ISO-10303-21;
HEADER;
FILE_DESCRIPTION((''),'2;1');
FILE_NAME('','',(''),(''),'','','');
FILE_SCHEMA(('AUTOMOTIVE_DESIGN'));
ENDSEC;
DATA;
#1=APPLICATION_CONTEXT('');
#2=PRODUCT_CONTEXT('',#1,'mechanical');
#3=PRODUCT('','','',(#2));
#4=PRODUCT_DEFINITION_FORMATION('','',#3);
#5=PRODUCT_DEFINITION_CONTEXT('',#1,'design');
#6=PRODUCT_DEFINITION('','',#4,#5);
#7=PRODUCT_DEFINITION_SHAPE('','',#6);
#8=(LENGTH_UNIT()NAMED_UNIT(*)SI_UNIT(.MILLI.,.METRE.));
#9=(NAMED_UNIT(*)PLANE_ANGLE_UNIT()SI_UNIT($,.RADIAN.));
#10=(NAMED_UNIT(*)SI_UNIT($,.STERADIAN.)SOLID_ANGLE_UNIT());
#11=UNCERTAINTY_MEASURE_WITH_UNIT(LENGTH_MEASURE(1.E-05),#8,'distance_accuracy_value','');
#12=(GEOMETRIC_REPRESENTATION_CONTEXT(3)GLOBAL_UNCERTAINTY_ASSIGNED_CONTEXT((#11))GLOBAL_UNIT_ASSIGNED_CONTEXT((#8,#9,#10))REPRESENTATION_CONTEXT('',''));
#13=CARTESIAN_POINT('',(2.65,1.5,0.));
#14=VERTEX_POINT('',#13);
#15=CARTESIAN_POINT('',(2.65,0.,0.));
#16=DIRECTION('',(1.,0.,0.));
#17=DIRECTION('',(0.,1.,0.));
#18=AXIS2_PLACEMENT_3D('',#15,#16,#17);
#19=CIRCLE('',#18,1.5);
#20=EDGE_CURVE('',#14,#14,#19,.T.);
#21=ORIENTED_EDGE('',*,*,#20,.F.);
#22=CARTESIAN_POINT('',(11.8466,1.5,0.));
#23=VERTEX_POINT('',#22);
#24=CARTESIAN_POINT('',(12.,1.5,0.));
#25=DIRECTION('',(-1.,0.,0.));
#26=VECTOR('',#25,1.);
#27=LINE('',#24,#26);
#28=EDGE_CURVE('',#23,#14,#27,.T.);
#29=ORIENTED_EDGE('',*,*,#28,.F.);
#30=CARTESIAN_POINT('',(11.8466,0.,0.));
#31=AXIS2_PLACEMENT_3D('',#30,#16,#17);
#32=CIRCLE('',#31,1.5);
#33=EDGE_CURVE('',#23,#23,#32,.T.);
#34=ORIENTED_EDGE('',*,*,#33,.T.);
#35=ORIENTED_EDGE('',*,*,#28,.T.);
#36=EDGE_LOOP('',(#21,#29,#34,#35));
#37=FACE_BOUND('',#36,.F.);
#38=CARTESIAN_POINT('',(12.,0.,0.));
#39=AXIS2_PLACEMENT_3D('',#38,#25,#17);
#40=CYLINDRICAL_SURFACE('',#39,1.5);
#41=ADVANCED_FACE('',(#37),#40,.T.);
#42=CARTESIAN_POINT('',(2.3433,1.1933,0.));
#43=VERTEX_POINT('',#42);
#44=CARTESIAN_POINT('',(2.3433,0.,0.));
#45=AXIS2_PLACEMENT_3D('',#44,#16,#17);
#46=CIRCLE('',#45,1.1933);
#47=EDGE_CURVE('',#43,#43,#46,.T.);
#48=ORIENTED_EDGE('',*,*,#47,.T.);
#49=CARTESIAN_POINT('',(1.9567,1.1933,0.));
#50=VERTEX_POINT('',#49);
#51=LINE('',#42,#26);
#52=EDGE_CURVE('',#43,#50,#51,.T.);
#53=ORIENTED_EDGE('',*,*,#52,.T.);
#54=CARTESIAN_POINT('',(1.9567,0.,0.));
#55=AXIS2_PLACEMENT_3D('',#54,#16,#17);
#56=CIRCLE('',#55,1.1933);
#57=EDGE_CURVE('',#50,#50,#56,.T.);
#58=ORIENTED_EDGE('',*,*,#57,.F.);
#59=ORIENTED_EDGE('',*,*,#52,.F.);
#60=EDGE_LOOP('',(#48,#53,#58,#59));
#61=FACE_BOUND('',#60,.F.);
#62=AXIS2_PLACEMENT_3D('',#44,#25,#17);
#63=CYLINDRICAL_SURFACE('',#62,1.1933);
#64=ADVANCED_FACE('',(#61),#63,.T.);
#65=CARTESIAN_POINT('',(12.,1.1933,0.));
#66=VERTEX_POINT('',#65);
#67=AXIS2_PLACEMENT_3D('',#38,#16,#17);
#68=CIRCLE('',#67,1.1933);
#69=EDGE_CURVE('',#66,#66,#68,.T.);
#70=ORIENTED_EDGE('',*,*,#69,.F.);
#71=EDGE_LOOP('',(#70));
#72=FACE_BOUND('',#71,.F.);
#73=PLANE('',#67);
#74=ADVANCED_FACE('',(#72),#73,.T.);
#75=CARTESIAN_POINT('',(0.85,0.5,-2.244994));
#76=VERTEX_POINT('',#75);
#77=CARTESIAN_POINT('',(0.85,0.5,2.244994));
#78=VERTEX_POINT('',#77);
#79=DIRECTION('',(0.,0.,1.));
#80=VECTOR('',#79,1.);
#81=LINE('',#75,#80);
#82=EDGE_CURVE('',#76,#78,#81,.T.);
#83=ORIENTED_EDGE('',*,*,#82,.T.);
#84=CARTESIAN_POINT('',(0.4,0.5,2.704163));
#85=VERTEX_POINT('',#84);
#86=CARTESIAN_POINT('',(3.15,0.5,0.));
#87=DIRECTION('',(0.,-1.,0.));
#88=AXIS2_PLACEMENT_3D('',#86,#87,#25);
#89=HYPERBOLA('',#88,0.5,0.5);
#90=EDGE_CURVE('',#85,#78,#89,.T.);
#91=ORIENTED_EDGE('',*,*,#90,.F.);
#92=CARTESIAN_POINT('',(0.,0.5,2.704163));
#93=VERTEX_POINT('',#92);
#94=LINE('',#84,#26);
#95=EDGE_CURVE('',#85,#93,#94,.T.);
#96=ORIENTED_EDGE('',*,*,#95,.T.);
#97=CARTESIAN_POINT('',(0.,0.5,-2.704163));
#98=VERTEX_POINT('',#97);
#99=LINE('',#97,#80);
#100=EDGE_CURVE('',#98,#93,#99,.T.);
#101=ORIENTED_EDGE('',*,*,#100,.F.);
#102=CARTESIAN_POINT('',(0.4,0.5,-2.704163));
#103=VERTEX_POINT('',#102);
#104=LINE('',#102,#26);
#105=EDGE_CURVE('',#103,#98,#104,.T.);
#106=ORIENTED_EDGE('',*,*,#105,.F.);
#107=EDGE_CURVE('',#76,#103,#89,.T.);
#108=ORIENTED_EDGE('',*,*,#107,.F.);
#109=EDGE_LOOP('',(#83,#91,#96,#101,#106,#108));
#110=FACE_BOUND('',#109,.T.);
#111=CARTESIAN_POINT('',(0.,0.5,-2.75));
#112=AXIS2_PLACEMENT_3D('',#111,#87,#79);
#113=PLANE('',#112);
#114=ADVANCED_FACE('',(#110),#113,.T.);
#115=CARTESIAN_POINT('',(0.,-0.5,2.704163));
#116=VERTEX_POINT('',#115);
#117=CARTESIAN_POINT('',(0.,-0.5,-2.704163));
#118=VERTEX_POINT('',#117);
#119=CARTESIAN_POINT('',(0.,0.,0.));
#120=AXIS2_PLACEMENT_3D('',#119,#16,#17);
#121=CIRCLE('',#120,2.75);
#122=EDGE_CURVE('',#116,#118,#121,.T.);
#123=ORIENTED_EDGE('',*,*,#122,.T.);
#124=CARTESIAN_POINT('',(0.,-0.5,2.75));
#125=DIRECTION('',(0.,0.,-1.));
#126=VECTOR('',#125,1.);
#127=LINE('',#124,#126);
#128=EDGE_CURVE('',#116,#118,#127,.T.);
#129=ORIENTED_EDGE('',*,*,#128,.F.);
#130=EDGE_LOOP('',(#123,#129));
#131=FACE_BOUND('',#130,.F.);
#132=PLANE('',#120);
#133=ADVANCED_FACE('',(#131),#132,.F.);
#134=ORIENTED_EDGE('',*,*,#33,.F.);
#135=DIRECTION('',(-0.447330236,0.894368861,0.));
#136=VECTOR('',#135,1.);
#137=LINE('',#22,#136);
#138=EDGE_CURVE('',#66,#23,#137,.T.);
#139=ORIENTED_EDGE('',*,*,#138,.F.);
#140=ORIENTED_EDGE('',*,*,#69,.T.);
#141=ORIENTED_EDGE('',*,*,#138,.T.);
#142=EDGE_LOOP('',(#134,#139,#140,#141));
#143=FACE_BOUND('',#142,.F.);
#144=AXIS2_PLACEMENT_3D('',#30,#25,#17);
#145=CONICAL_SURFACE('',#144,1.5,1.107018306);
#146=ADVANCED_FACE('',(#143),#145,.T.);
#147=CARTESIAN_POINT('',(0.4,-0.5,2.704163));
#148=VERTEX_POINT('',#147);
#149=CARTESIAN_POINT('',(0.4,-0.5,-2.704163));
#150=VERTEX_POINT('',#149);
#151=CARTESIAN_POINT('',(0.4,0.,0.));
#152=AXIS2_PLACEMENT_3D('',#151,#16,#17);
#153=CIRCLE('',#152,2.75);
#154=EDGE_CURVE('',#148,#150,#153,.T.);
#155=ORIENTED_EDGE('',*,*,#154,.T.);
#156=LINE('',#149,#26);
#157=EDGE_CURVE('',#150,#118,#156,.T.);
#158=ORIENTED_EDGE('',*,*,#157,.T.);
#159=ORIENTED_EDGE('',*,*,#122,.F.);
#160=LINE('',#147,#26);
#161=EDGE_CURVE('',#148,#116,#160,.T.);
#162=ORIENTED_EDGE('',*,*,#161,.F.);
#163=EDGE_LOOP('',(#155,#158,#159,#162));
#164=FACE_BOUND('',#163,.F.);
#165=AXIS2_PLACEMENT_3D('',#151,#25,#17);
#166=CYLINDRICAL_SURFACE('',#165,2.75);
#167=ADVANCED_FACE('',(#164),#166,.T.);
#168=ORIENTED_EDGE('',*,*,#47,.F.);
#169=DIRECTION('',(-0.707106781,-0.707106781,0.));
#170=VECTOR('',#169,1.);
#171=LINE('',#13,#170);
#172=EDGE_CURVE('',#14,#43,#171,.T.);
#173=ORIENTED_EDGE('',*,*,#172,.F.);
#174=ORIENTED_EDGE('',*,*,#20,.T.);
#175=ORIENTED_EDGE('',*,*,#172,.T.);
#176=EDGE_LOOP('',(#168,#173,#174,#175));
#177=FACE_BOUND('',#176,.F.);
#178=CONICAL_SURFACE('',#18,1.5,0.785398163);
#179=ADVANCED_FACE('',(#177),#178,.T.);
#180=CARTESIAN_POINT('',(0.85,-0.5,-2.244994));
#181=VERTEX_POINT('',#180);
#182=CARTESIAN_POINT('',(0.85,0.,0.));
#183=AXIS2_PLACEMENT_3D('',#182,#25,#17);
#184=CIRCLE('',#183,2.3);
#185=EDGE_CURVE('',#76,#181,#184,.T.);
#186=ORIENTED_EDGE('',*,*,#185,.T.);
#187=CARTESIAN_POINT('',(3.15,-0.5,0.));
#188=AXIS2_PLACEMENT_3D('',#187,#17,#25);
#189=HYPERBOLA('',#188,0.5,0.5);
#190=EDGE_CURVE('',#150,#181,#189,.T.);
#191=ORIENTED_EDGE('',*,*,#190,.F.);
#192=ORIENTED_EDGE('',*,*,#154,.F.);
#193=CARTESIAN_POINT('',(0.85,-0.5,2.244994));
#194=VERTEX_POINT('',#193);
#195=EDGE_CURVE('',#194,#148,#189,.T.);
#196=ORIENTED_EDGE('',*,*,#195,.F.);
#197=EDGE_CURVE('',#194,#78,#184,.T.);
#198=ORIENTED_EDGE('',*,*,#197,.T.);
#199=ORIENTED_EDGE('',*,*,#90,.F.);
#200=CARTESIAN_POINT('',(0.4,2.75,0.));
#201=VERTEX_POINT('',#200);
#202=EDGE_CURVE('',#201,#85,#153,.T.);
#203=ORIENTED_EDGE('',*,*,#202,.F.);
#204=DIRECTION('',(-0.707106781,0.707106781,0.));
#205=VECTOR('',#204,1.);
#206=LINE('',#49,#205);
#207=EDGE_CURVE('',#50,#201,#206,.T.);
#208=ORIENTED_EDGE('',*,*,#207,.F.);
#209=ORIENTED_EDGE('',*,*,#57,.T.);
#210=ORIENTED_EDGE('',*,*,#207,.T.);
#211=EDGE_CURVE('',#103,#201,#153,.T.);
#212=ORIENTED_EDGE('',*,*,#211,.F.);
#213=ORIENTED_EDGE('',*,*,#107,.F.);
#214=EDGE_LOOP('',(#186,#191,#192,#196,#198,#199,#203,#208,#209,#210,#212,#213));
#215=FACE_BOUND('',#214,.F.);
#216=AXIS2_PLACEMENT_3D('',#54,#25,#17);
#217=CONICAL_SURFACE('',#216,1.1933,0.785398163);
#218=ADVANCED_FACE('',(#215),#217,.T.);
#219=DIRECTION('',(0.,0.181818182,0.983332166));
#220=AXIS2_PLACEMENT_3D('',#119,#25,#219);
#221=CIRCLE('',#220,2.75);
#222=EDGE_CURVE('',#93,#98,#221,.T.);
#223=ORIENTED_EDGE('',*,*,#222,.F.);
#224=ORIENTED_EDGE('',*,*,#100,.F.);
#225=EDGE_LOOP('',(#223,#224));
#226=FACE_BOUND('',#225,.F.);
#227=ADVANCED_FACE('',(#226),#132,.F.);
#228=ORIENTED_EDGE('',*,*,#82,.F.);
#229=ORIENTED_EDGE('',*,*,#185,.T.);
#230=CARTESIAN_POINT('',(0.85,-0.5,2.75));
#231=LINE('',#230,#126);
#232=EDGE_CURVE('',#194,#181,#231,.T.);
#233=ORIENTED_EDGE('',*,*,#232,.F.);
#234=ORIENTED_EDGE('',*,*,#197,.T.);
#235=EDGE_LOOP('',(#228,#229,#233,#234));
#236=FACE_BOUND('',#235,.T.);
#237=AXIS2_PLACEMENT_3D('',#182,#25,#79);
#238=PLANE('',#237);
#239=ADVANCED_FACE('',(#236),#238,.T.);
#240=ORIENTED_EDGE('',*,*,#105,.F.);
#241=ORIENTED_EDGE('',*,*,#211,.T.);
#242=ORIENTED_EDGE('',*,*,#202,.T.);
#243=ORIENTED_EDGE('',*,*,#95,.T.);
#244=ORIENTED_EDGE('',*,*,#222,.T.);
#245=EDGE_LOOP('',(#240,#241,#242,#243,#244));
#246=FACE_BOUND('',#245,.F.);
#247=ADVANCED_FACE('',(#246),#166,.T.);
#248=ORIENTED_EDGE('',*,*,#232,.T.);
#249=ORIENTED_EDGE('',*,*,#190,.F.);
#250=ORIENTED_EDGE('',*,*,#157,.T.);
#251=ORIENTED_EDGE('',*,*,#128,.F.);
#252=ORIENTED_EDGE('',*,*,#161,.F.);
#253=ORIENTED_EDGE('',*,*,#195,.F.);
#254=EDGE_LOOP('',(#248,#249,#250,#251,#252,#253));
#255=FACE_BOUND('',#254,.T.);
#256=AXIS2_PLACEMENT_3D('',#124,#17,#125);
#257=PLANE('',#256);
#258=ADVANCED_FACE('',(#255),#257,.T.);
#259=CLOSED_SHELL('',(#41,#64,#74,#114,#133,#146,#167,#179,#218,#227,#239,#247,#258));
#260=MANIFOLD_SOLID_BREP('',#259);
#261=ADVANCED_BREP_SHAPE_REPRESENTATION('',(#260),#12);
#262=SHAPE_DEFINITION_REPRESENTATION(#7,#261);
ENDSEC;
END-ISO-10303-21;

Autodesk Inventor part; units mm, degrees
ref_plane "YZ Plane" through (0, 0, 0) normal (1, 0, 0) x (0, 1, 0)
ref_plane "XZ Plane" through (0, 0, 0) normal (0, 1, 0) x (-1, 0, 0)
sketch "Sketch1" plane through (0, 0, 0) normal (0, 0, 1) x (1, 0, 0)
  line L0 (0, 0) -> (12, 0)
  line L1 (12, 0) -> (12, 1.5)
  line L2 (12, 1.5) -> (2.65, 1.5)
  line L3 (2.65, 1.5) -> (2.3433, 1.1933)
  line L4 (2.3433, 1.1933) -> (1.9567, 1.1933)
  line L5 (1.9567, 1.1933) -> (0.4, 2.75)
  line L6 (0.4, 2.75) -> (0, 2.75)
  line L7 (0, 2.75) -> (0, 0)
  line L8 (2.65, 1.5) -> (1.65, 1.5) construction
  line L9 (-2.4, 0) -> (14.4, 0) projected
  line L10 (0, 3.3) -> (0, -0.55) projected
  dimension "d0" = 12
  dimension "d1" = 45
  dimension "d2" = 0.3067
  dimension "d3" = 9.35
  dimension "d4" = 1.65
  dimension "d5" = 2.3866
  dimension "d6" = 3
  dimension "d7" = 5.5
revolve "Body" add sketch "Sketch1" angle 360 about axis through (0, 0, 0) along (1, 0, 0)
sketch "Sketch2" plane through (0, 0, 0) normal (-1, 0, 0) x (0, 0, 1)
  line L0 (2.75, -0.5) -> (-2.75, -0.5)
  line L1 (-2.75, -0.5) -> (-2.75, 0.5)
  line L2 (-2.75, 0.5) -> (2.75, 0.5)
  line L3 (2.75, 0.5) -> (2.75, -0.5)
  line L4 (0, 0.5) -> (0, -0.5) construction
  line L5 (-2.75, 0) -> (2.75, 0) construction
  line L6 (0, 2.75) -> (0, 0) projected
  dimension "d15" = 1
  dimension "d16" = 5.5
extrude "Slot" cut sketch "Sketch2" against normal blind 0.85
thread "Thread" size "M3x0.5" class "6g" standard "ISO Metric profile" length 9.35
chamfer "Chamfer1" distance 0.3067 distance2 0.1534 1 edges at (12, -1.5, 0) measured on face at (12, 0.1505, 0.4164)
ref_plane "Work Plane1" through (33.575, 0, 0) normal (0, 0, -1) x (1, 0, 0)
equation "\"d0\" = NLG"
equation "\"d1\" = 0.5 * SEWI"
equation "\"d2\" = GAL"
equation "\"d3\" = GEL"
equation "\"d4\" = KOH"
equation "\"d5\" = BDM"
equation "\"d6\" = GD"
equation "\"d7\" = KOD"
equation "\"d15\" = SBR"
equation "\"d16\" = KOD"
equation "\"d8\" = STI"
equation "\"d10\" = GEL"
equation "\"d12\" = -0.5 * SPD + 0.5 * GD"
equation "\"d13\" = 0.5 * GAL"
equation "\"NLG\" = 12"
equation "\"GAL\" = 0.61345 * PTC"
equation "\"GEL\" = 9.35"
equation "\"KOH\" = 1.65"
equation "\"KOD\" = 5.5"
equation "\"SEWI\" = 90deg"
equation "\"BDM\" = NND - 1.2269 * PTC"
equation "\"GD\" = NND"
equation "\"SBR\" = 1"
equation "\"STI\" = 0.85"
equation "\"SPD\" = NND - 1.2269 * PTC"
equation "\"GUL\" = 0.61345 * PTC"
equation "\"PTC\" = 0.5"
equation "\"EPV\" = 3.15"
equation "\"THREADDIA\" = 3"
equation "\"TOA\" = 30deg"
equation "\"NND\" = 3"
equation "\"GD1\" = THREADDIA - 1.2269 * PTC"
properties part number "ISO 2009 - M3 x 12" material "Stainless Steel, 440C"
